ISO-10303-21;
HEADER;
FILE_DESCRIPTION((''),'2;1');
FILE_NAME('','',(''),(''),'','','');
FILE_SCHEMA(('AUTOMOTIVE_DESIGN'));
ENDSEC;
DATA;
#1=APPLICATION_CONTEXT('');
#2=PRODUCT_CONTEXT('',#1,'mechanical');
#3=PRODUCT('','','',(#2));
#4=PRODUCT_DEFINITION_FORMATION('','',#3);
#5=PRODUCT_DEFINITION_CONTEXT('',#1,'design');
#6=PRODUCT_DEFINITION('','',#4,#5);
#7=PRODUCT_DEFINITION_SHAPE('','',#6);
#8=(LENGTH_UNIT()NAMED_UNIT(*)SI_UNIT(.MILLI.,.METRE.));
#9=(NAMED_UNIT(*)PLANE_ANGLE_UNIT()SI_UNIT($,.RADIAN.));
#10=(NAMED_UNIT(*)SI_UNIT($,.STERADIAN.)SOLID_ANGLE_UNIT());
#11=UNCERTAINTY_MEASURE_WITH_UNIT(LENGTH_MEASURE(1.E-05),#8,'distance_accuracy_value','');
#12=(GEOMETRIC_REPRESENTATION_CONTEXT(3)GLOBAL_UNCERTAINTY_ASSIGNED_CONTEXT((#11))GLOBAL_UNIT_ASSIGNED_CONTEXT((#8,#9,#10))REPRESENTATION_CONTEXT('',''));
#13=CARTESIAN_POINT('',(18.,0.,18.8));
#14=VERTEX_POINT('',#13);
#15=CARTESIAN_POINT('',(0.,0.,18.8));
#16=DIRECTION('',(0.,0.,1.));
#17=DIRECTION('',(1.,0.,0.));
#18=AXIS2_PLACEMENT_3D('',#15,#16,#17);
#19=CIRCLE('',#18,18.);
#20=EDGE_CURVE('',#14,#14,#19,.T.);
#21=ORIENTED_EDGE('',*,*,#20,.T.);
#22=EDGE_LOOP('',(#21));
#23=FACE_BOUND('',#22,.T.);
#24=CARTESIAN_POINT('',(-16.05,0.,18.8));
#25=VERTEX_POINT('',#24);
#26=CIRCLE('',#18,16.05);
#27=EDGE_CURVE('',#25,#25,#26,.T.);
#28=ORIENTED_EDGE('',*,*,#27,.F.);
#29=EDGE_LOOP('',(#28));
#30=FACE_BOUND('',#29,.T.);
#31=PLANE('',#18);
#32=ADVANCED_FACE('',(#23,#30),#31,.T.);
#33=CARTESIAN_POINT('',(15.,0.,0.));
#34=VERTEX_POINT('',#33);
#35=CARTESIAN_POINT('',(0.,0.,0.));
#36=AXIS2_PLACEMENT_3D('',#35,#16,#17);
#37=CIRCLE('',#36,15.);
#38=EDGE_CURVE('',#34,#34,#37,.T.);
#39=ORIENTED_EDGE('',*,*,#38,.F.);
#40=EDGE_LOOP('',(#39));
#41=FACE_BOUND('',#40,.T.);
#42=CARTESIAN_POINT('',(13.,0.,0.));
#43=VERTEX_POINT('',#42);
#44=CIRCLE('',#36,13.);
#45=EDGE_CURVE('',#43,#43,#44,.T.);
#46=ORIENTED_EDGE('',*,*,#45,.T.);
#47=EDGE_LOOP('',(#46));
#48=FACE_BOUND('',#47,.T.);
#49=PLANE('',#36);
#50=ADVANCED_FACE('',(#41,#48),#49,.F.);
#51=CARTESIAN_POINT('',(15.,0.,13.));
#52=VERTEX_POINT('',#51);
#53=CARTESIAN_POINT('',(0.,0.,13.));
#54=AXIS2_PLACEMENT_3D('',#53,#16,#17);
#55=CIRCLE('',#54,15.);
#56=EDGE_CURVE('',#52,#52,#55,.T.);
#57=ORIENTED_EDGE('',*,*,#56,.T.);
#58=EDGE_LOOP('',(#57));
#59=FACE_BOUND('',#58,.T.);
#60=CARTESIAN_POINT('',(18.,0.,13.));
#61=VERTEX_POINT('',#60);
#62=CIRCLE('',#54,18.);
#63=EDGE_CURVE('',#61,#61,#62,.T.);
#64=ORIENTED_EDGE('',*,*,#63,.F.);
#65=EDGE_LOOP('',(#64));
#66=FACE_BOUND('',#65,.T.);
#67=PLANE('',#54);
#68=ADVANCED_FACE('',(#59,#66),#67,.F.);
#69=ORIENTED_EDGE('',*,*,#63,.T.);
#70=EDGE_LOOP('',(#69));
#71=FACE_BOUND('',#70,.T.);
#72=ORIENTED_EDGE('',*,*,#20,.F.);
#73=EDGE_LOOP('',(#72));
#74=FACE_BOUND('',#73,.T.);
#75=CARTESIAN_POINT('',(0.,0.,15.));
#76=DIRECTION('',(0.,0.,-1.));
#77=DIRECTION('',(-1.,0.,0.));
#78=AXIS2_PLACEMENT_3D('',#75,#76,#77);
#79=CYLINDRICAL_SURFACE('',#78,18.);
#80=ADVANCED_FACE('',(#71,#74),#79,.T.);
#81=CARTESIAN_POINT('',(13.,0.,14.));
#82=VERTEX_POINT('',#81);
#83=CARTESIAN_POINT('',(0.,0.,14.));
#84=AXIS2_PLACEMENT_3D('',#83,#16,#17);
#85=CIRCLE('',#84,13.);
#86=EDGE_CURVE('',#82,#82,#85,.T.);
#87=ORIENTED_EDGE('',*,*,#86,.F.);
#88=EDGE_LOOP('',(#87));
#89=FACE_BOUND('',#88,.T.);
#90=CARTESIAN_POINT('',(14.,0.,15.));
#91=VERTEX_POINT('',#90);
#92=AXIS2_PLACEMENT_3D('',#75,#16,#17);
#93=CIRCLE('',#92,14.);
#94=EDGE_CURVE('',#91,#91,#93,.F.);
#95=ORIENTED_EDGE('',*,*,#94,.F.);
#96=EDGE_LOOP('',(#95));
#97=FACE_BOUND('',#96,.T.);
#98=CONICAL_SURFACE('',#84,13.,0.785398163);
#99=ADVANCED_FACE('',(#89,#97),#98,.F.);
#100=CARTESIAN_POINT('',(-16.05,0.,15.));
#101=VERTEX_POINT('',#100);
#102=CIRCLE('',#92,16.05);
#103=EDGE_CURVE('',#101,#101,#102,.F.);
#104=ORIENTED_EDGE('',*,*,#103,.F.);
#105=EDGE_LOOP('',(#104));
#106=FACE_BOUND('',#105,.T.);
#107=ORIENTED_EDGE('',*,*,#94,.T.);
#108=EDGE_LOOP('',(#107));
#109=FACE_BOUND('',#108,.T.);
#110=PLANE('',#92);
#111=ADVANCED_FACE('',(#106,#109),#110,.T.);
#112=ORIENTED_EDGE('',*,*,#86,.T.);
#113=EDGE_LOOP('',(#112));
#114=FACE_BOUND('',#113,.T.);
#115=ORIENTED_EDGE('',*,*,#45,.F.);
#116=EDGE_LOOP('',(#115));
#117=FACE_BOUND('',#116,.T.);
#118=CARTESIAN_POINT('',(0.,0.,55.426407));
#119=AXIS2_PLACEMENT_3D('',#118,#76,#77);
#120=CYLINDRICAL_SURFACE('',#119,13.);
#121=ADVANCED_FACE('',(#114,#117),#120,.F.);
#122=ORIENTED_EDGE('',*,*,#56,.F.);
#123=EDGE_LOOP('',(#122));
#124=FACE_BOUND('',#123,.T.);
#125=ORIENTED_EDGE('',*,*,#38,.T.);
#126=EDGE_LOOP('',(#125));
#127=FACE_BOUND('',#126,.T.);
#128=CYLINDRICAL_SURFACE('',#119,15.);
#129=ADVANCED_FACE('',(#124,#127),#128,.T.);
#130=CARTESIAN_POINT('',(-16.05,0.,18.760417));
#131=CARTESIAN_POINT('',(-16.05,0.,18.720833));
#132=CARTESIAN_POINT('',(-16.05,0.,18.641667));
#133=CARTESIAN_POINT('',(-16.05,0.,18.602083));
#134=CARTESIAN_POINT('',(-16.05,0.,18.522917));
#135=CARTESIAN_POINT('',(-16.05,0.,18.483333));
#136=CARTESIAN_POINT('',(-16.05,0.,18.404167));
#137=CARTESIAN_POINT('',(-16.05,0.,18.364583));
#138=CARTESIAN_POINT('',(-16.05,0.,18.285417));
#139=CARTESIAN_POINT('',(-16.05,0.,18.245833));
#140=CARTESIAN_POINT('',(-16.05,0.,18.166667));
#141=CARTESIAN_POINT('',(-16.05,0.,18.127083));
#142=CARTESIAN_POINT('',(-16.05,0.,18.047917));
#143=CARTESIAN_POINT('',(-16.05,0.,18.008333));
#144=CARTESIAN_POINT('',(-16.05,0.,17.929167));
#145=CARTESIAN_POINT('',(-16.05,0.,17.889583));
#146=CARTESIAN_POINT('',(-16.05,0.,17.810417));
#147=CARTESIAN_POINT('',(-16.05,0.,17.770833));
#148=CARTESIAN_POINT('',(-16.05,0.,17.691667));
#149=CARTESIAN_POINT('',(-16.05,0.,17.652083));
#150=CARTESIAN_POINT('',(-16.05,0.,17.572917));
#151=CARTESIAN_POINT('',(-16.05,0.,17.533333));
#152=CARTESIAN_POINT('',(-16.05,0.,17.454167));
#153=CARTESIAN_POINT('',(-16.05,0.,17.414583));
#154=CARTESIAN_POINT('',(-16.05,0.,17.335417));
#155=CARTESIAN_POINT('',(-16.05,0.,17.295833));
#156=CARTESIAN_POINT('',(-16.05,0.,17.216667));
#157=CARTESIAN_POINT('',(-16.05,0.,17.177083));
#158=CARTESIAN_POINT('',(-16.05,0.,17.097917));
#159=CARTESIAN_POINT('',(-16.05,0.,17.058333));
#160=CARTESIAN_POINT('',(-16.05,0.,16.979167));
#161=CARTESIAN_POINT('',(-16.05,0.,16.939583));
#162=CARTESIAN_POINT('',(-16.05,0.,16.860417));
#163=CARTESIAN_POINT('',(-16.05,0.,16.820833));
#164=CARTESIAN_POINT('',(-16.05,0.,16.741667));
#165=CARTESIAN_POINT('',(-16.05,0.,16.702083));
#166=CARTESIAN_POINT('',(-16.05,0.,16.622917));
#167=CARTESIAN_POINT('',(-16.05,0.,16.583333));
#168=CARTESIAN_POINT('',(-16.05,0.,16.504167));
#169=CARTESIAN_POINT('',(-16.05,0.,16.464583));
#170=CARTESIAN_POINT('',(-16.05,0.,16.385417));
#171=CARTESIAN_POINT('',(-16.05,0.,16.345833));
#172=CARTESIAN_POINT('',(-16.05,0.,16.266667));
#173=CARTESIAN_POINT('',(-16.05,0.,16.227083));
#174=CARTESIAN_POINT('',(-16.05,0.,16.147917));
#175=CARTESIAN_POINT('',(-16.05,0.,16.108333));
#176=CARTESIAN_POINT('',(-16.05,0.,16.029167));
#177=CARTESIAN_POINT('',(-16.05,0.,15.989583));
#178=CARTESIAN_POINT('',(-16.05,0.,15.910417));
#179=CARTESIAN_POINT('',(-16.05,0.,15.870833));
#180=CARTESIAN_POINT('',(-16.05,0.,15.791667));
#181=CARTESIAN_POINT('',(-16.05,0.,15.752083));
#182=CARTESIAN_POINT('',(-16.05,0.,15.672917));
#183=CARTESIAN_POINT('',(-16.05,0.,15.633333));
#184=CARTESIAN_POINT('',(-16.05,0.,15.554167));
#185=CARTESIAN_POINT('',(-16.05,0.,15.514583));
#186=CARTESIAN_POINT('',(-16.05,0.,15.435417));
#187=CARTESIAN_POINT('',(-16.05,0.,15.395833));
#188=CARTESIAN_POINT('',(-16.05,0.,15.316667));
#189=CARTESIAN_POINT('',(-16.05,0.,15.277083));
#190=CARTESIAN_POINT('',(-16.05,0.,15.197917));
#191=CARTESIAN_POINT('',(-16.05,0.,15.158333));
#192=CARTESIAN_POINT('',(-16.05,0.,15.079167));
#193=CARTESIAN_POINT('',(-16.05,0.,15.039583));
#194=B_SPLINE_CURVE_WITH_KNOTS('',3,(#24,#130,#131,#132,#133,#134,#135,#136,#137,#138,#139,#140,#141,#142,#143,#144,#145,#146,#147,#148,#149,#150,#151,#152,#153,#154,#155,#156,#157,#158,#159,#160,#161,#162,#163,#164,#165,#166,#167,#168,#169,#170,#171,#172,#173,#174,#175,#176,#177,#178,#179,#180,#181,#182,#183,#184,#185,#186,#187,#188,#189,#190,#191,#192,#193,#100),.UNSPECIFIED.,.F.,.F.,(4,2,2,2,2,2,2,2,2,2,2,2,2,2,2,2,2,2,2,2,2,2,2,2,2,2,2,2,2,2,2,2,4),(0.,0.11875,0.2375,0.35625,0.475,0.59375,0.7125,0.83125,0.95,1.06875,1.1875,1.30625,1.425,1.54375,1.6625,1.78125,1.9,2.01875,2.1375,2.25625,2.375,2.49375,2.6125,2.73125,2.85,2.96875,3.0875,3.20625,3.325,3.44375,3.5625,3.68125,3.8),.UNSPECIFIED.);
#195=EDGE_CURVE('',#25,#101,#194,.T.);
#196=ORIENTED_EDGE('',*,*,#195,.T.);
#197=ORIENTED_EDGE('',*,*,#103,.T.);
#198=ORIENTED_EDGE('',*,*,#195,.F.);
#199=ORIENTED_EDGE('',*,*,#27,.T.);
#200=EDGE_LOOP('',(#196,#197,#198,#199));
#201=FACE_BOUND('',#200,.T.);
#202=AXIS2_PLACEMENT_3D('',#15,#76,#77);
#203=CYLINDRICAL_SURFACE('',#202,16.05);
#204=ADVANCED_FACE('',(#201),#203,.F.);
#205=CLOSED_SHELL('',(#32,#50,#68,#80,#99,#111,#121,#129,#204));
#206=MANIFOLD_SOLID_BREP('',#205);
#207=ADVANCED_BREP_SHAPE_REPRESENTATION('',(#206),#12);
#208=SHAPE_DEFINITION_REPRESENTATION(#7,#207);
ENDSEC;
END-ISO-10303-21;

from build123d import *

# Parameters (mm, degrees)
SKETCH1_R           = 15
SKETCH1_R_2         = 13
BOSS_EXTRUDE1_DEPTH = 13
SKETCH2_R           = 18
SKETCH2_R_2         = 13
BOSS_EXTRUDE2_DEPTH = 2
CHAMFER1_SIZE       = 1
SKETCH4_R           = 18
SKETCH4_R_2         = 16.05
BOSS_EXTRUDE3_DEPTH = 3.8


with BuildPart() as part:
    # Sketch1 → Boss-Extrude1 (new body)
    with BuildSketch(Plane.XY):
        Circle(SKETCH1_R)
        Circle(SKETCH1_R_2, mode=Mode.SUBTRACT)
    extrude(amount=BOSS_EXTRUDE1_DEPTH)

    # Sketch2 → Boss-Extrude2 (add)
    with BuildSketch(Plane.XY.offset(13)):
        Circle(SKETCH2_R)
        Circle(SKETCH2_R_2, mode=Mode.SUBTRACT)
    extrude(amount=BOSS_EXTRUDE2_DEPTH)

    # Chamfer1
    chamfer1_edges = [part.edges().sort_by_distance(p)[0] for p in [
        (-13, 0, 15),
    ]]
    chamfer(chamfer1_edges, length=CHAMFER1_SIZE)

    # Sketch4 → Boss-Extrude3 (add)
    with BuildSketch(Plane.XY.offset(15)):
        Circle(SKETCH4_R)
        with Locations(Location((0, 0, 0), (0, 0, 180))):
            Circle(SKETCH4_R_2, mode=Mode.SUBTRACT)
    extrude(amount=BOSS_EXTRUDE3_DEPTH)


solid = part.part
